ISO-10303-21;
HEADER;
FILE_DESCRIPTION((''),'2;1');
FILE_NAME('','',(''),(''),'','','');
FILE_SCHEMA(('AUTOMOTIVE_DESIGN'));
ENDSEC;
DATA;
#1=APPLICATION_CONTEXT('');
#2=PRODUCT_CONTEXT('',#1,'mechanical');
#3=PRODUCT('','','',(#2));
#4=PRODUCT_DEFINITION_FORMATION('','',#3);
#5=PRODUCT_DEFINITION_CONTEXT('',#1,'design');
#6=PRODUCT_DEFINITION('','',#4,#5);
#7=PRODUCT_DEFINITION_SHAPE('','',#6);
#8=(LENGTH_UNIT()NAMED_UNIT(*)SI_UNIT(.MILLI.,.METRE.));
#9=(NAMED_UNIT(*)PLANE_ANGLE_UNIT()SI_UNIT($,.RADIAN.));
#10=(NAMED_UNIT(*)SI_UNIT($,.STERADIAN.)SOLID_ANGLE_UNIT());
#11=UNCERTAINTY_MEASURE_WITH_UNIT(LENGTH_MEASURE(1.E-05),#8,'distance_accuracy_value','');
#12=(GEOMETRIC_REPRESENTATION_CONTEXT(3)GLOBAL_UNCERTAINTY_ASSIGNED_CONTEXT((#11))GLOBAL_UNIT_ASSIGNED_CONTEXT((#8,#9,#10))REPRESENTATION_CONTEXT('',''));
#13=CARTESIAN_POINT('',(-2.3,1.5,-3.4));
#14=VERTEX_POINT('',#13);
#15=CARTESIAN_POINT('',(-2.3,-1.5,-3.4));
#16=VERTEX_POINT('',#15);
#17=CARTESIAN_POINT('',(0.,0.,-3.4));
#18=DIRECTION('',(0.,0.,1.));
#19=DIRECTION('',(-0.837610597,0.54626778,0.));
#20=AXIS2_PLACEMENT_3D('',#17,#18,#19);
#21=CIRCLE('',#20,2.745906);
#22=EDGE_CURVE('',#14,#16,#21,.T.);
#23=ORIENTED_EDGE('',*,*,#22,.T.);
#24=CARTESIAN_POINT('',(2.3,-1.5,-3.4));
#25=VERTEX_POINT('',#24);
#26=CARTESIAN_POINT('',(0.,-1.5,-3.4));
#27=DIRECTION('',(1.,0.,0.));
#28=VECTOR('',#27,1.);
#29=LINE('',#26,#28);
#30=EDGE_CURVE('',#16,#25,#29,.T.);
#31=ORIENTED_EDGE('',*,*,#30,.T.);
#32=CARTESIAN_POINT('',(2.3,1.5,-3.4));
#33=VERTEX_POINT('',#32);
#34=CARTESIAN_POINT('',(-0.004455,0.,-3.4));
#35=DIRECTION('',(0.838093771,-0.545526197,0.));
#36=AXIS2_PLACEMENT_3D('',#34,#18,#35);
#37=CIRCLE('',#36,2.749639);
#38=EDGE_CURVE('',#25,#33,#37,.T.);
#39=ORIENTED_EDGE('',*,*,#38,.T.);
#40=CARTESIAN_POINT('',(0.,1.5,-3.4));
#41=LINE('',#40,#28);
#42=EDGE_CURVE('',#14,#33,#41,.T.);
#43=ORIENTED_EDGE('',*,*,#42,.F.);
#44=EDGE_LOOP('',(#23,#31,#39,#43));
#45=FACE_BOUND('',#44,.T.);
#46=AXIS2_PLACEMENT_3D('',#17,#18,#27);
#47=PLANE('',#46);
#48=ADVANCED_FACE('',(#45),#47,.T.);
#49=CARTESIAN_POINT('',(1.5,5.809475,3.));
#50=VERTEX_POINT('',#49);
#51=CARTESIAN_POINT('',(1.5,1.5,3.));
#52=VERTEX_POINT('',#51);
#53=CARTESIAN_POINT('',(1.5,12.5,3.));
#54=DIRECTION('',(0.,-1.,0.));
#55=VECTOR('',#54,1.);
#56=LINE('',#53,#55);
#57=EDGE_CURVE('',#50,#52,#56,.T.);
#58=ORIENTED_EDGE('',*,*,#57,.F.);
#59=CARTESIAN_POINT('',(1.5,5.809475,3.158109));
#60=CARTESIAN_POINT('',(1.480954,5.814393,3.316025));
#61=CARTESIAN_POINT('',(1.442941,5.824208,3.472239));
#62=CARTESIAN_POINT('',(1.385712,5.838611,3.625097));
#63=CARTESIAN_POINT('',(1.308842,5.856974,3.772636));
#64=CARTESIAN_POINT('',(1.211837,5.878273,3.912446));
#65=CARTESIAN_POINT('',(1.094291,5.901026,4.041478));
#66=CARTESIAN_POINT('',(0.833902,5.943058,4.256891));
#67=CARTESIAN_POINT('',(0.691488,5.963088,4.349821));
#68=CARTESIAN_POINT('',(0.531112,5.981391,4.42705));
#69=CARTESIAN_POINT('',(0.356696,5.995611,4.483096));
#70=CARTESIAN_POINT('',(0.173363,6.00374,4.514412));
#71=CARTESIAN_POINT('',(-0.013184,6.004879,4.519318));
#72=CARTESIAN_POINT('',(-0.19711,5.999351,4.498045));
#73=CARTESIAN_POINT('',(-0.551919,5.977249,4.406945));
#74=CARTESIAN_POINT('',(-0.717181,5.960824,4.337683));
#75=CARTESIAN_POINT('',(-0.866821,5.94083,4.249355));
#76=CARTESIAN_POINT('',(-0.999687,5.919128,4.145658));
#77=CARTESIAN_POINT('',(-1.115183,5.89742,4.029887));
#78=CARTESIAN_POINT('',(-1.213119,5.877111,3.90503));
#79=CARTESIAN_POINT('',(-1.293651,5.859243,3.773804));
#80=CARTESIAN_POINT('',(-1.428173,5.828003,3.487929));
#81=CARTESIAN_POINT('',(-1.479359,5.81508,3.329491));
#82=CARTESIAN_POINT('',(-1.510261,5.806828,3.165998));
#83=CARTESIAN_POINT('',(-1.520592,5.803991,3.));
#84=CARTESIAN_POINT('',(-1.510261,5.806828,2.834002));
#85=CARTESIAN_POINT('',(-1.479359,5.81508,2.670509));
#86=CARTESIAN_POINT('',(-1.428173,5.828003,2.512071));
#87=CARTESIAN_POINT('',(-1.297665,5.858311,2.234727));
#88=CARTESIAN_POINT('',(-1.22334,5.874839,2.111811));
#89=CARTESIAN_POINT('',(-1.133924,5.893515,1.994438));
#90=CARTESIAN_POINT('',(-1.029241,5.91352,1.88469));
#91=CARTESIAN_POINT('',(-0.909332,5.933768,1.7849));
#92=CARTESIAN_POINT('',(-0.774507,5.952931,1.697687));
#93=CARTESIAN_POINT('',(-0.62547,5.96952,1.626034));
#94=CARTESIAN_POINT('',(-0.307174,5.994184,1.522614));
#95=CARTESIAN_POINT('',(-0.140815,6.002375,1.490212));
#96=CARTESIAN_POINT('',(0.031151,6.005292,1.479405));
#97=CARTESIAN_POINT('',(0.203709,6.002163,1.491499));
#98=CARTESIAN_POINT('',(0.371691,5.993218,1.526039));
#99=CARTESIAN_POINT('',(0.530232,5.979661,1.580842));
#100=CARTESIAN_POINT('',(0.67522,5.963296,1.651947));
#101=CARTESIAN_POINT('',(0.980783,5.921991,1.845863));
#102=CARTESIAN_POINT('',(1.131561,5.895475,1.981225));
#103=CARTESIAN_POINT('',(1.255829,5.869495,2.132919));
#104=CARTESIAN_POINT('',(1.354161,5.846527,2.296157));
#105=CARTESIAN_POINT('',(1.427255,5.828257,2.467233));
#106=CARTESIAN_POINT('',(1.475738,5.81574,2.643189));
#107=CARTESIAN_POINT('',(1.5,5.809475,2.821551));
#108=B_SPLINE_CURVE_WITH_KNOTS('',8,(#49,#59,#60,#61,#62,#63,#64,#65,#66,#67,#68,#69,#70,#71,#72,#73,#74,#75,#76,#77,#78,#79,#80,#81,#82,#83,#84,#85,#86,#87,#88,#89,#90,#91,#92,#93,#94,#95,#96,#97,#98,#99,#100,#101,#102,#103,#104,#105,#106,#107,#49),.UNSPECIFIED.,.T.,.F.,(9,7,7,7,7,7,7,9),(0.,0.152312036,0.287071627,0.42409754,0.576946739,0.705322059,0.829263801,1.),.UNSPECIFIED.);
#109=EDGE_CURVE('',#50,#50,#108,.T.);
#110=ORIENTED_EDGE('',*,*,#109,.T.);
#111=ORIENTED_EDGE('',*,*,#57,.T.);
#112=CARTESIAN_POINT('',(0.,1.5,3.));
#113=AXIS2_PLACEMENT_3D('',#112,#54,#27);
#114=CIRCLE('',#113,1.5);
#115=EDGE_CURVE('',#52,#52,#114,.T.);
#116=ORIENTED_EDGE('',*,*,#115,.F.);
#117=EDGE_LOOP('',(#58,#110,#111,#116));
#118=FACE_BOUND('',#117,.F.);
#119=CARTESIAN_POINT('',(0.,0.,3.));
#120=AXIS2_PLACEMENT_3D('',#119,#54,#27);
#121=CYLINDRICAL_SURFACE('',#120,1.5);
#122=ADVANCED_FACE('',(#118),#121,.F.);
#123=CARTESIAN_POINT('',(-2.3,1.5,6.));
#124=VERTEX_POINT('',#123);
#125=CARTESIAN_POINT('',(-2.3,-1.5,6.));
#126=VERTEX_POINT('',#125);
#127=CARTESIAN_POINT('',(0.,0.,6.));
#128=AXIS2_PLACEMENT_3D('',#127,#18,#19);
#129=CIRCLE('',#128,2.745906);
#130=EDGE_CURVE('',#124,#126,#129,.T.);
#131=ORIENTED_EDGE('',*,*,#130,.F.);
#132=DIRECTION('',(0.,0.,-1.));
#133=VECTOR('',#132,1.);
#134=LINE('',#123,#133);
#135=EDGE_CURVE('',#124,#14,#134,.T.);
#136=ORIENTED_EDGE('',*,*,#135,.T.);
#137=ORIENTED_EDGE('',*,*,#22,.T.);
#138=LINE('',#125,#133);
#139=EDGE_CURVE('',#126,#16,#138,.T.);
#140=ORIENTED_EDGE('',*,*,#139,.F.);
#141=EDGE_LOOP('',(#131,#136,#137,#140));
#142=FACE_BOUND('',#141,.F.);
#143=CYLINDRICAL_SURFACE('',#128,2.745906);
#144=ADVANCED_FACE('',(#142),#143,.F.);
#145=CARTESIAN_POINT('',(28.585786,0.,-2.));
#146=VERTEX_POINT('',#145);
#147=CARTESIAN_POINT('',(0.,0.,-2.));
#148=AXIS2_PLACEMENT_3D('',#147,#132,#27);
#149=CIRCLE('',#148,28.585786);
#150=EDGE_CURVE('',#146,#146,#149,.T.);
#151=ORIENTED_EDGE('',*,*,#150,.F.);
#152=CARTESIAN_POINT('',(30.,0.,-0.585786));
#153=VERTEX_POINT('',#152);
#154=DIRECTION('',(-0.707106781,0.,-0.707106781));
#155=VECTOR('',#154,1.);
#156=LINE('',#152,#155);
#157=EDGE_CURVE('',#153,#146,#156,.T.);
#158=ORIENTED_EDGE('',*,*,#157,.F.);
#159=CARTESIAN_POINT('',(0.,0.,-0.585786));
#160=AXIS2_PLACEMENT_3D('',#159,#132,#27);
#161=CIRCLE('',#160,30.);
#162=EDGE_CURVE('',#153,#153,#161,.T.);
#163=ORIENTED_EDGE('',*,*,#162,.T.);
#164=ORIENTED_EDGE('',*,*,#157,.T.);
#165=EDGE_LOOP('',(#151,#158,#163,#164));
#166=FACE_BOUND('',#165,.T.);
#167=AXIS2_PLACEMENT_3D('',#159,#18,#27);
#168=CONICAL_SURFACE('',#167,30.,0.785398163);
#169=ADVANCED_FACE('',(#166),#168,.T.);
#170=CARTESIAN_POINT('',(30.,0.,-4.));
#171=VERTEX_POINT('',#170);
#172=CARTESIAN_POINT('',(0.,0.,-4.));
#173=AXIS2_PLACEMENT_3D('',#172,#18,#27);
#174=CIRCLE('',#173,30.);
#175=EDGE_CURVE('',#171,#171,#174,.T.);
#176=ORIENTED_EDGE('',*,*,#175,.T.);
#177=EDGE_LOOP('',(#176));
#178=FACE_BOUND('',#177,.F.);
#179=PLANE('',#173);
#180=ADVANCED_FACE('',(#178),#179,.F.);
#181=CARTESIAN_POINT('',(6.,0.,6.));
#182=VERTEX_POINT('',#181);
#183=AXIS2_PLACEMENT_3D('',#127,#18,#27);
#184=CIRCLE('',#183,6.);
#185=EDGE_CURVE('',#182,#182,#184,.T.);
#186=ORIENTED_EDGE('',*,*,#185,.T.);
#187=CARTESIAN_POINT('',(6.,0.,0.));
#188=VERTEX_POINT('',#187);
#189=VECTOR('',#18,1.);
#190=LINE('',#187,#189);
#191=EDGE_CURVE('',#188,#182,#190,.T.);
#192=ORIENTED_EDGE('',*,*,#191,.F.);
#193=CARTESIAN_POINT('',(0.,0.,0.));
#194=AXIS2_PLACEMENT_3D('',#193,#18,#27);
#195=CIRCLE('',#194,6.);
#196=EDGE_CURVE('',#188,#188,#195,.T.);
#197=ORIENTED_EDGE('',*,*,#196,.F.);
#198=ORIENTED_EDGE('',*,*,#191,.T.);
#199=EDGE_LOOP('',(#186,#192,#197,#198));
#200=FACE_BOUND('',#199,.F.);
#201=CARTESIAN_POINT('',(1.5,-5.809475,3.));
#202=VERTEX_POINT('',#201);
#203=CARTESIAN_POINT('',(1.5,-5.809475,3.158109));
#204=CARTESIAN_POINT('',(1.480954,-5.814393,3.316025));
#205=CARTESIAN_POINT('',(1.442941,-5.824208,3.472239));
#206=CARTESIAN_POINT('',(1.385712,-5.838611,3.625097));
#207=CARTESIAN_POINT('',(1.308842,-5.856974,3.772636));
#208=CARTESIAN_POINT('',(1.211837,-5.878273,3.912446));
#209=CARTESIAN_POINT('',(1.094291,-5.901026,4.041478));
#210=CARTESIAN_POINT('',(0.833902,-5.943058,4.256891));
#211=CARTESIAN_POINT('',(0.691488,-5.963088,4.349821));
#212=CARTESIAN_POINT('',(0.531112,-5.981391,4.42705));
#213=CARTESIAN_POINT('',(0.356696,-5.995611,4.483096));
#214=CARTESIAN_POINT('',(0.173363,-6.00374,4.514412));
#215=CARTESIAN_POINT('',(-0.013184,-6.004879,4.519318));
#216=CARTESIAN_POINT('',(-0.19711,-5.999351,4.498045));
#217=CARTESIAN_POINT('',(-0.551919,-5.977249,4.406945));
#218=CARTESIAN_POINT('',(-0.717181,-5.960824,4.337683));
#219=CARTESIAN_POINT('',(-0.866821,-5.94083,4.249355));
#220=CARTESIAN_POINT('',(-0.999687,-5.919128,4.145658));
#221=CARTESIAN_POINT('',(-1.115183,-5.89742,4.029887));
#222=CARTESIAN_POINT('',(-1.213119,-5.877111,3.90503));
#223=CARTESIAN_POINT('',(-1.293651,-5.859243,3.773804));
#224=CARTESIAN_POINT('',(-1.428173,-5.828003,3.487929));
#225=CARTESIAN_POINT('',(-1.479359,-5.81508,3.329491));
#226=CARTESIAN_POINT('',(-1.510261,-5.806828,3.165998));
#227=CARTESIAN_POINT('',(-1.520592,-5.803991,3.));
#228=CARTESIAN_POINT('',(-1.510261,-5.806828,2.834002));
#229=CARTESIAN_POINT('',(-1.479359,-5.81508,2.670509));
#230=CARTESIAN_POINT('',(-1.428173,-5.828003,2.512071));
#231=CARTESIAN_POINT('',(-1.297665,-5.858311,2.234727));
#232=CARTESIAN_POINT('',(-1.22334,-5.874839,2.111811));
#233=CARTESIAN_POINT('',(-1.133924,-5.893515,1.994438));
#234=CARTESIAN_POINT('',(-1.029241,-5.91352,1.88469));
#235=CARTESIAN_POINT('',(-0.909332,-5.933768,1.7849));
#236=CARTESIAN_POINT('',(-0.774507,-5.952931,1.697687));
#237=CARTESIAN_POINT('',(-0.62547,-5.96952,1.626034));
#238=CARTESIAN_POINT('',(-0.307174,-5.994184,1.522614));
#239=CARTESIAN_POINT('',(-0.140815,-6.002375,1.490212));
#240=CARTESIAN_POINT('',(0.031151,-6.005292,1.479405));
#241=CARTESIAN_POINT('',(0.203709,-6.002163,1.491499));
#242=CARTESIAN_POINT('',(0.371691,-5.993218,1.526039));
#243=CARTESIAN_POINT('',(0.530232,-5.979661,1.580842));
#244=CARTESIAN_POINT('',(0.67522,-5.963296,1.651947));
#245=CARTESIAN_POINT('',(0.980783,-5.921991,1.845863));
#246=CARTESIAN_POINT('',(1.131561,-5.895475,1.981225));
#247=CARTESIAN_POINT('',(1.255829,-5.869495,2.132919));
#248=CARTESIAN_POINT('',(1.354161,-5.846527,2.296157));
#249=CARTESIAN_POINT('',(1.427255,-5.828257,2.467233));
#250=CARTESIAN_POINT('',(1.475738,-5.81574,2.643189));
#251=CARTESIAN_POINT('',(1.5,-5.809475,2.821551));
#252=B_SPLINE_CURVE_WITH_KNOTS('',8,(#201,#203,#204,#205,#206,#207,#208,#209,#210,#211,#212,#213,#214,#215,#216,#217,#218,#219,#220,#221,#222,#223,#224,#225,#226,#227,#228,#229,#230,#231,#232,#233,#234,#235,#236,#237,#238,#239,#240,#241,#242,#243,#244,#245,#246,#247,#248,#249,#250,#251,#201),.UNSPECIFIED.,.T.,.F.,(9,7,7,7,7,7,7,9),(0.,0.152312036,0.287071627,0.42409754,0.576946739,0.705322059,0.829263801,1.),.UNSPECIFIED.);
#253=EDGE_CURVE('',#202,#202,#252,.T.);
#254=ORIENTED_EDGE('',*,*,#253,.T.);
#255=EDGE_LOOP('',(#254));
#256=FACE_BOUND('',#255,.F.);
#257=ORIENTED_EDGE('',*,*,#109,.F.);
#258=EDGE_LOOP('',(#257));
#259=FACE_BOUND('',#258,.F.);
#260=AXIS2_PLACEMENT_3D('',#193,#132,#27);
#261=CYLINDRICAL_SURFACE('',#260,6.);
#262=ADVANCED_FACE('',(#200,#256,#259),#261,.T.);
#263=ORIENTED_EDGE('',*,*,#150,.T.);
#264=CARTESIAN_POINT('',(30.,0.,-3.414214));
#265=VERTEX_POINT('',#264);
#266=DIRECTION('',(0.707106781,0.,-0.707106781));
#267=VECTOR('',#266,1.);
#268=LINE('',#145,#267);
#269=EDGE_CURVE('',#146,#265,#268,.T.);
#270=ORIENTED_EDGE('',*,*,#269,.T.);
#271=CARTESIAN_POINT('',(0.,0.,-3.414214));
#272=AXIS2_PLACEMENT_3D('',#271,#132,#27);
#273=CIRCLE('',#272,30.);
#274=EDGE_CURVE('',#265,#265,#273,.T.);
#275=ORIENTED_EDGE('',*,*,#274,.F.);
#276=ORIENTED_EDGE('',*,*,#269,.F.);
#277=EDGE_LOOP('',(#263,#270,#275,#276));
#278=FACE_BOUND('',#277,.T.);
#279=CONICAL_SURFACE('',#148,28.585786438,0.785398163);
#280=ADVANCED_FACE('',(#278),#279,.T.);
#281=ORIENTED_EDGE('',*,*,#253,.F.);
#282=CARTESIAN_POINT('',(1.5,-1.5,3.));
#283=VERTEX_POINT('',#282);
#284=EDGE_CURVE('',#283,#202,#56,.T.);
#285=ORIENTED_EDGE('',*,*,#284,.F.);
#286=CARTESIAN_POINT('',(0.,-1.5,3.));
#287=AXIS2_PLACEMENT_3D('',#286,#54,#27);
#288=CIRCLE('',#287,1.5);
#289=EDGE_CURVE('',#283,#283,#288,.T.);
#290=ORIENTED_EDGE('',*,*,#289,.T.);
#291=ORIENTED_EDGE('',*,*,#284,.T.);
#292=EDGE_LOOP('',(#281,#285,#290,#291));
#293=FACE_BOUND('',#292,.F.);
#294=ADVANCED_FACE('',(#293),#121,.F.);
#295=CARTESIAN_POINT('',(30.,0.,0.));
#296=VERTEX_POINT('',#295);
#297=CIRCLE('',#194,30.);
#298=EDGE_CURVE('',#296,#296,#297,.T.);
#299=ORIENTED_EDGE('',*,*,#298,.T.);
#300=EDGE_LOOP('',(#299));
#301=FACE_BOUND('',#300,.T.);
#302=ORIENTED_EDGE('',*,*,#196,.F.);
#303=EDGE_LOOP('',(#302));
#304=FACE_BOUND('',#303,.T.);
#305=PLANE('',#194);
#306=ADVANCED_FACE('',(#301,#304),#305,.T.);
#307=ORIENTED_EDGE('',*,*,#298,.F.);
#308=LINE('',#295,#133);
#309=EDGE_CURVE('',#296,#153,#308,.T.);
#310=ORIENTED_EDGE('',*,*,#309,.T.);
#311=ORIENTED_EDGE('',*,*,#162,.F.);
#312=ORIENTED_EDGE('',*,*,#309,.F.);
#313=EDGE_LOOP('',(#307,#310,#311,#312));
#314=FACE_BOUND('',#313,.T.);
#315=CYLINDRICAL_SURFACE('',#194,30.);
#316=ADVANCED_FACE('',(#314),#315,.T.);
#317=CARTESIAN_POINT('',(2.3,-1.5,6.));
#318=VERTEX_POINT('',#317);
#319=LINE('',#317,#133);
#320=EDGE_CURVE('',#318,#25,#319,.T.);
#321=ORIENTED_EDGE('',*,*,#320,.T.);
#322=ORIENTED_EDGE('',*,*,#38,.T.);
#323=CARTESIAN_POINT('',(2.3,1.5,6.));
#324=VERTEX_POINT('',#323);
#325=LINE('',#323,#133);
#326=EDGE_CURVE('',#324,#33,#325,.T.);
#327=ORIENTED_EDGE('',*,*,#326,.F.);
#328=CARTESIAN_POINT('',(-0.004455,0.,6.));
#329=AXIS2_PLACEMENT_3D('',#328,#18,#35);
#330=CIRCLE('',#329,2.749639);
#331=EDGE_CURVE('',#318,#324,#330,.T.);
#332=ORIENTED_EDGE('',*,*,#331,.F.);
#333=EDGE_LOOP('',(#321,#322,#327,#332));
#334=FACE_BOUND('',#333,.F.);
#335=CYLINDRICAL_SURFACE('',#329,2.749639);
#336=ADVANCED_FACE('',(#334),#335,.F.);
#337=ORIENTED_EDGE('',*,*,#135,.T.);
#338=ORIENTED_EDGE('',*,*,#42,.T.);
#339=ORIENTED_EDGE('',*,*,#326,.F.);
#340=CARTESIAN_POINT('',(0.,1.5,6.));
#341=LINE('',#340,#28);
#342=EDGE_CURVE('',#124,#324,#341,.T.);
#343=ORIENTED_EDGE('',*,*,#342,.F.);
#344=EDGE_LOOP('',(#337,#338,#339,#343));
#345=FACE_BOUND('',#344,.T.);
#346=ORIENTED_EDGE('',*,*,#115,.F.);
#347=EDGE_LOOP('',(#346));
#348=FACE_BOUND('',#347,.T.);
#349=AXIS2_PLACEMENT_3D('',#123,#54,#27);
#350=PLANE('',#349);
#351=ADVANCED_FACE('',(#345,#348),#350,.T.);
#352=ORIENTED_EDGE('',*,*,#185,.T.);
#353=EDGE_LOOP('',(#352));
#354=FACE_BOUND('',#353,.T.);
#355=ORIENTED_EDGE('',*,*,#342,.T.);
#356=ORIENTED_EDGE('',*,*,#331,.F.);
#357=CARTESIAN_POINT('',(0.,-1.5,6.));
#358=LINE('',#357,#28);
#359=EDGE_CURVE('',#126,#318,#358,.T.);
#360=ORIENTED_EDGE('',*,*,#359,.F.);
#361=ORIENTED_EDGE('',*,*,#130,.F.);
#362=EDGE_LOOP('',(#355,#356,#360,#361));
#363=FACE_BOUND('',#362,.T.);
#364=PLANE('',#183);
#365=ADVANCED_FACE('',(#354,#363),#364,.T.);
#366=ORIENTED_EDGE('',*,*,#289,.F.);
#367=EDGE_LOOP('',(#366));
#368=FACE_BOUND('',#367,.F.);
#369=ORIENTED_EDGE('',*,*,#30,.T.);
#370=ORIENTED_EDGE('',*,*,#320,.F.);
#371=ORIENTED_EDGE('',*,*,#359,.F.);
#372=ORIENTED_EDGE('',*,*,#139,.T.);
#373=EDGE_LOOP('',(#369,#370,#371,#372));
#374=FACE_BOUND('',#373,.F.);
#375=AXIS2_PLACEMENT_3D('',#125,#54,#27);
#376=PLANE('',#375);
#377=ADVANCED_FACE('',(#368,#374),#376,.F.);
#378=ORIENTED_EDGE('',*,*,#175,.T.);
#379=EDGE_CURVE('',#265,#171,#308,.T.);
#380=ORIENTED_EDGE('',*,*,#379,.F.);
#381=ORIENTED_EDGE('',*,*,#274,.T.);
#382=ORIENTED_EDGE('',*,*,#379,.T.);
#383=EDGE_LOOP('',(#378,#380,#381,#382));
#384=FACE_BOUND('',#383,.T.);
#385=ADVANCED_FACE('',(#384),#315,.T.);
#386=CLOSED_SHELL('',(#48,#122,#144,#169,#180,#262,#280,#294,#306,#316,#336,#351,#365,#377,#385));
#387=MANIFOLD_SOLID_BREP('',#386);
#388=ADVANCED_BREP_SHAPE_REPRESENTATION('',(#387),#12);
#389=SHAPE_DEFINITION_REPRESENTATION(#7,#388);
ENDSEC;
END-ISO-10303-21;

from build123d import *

# Parameters (mm, degrees)
F0_R     = 30
F0_R_2   = 6
F1_DEPTH = 4
F2_DEPTH = 6
F3_R     = 1.5
F4_DEPTH = 12.5
F5_W     = 4.6
F5_H     = 3
F6_DEPTH = 9.4


with BuildPart() as f1:
    # F0 (on Top) → F1 (new body)
    with BuildSketch(Plane.XY):
        Circle(F0_R)
        Circle(F0_R_2, mode=Mode.SUBTRACT)
        Circle(F0_R_2)
    extrude(amount=-F1_DEPTH)

    # F0 (on Top) → F2 (join)
    with BuildSketch(Plane.XY):
        Circle(F0_R_2)
    extrude(amount=F2_DEPTH)

    # F3 (on Front) → F4 (cut, symmetric)
    with BuildSketch(Plane.XZ):
        with Locations((0, 3)):
            Circle(F3_R)
    extrude(amount=F4_DEPTH, both=True, mode=Mode.SUBTRACT)

    # F5 (on face) → F6 (cut)
    with BuildSketch(Plane.XY.offset(6)):
        Rectangle(F5_W, F5_H)
        with BuildLine():
            ThreePointArc((-2.3, 1.5), (-2.7459060435, 0), (-2.3, -1.5))
            Line((-2.3, -1.5), (-2.3, 1.5))
        make_face()
        with BuildLine():
            Line((2.3, 1.5), (2.3, -1.5))
            ThreePointArc((2.3, -1.5), (2.745183651, 0), (2.3, 1.5))
        make_face()
    extrude(amount=-F6_DEPTH, mode=Mode.SUBTRACT)

    # F7 (on Front) → F8 (revolve, cut)
    with BuildSketch(Plane.XZ):
        Polygon((30, -3.4142135624), (30, -0.5857864376), (28.5857864376, -2), align=None)
    revolve(axis=Axis((0, 0, 0.7614716887), (0, 0, -1)), mode=Mode.SUBTRACT)


solid = f1.part
